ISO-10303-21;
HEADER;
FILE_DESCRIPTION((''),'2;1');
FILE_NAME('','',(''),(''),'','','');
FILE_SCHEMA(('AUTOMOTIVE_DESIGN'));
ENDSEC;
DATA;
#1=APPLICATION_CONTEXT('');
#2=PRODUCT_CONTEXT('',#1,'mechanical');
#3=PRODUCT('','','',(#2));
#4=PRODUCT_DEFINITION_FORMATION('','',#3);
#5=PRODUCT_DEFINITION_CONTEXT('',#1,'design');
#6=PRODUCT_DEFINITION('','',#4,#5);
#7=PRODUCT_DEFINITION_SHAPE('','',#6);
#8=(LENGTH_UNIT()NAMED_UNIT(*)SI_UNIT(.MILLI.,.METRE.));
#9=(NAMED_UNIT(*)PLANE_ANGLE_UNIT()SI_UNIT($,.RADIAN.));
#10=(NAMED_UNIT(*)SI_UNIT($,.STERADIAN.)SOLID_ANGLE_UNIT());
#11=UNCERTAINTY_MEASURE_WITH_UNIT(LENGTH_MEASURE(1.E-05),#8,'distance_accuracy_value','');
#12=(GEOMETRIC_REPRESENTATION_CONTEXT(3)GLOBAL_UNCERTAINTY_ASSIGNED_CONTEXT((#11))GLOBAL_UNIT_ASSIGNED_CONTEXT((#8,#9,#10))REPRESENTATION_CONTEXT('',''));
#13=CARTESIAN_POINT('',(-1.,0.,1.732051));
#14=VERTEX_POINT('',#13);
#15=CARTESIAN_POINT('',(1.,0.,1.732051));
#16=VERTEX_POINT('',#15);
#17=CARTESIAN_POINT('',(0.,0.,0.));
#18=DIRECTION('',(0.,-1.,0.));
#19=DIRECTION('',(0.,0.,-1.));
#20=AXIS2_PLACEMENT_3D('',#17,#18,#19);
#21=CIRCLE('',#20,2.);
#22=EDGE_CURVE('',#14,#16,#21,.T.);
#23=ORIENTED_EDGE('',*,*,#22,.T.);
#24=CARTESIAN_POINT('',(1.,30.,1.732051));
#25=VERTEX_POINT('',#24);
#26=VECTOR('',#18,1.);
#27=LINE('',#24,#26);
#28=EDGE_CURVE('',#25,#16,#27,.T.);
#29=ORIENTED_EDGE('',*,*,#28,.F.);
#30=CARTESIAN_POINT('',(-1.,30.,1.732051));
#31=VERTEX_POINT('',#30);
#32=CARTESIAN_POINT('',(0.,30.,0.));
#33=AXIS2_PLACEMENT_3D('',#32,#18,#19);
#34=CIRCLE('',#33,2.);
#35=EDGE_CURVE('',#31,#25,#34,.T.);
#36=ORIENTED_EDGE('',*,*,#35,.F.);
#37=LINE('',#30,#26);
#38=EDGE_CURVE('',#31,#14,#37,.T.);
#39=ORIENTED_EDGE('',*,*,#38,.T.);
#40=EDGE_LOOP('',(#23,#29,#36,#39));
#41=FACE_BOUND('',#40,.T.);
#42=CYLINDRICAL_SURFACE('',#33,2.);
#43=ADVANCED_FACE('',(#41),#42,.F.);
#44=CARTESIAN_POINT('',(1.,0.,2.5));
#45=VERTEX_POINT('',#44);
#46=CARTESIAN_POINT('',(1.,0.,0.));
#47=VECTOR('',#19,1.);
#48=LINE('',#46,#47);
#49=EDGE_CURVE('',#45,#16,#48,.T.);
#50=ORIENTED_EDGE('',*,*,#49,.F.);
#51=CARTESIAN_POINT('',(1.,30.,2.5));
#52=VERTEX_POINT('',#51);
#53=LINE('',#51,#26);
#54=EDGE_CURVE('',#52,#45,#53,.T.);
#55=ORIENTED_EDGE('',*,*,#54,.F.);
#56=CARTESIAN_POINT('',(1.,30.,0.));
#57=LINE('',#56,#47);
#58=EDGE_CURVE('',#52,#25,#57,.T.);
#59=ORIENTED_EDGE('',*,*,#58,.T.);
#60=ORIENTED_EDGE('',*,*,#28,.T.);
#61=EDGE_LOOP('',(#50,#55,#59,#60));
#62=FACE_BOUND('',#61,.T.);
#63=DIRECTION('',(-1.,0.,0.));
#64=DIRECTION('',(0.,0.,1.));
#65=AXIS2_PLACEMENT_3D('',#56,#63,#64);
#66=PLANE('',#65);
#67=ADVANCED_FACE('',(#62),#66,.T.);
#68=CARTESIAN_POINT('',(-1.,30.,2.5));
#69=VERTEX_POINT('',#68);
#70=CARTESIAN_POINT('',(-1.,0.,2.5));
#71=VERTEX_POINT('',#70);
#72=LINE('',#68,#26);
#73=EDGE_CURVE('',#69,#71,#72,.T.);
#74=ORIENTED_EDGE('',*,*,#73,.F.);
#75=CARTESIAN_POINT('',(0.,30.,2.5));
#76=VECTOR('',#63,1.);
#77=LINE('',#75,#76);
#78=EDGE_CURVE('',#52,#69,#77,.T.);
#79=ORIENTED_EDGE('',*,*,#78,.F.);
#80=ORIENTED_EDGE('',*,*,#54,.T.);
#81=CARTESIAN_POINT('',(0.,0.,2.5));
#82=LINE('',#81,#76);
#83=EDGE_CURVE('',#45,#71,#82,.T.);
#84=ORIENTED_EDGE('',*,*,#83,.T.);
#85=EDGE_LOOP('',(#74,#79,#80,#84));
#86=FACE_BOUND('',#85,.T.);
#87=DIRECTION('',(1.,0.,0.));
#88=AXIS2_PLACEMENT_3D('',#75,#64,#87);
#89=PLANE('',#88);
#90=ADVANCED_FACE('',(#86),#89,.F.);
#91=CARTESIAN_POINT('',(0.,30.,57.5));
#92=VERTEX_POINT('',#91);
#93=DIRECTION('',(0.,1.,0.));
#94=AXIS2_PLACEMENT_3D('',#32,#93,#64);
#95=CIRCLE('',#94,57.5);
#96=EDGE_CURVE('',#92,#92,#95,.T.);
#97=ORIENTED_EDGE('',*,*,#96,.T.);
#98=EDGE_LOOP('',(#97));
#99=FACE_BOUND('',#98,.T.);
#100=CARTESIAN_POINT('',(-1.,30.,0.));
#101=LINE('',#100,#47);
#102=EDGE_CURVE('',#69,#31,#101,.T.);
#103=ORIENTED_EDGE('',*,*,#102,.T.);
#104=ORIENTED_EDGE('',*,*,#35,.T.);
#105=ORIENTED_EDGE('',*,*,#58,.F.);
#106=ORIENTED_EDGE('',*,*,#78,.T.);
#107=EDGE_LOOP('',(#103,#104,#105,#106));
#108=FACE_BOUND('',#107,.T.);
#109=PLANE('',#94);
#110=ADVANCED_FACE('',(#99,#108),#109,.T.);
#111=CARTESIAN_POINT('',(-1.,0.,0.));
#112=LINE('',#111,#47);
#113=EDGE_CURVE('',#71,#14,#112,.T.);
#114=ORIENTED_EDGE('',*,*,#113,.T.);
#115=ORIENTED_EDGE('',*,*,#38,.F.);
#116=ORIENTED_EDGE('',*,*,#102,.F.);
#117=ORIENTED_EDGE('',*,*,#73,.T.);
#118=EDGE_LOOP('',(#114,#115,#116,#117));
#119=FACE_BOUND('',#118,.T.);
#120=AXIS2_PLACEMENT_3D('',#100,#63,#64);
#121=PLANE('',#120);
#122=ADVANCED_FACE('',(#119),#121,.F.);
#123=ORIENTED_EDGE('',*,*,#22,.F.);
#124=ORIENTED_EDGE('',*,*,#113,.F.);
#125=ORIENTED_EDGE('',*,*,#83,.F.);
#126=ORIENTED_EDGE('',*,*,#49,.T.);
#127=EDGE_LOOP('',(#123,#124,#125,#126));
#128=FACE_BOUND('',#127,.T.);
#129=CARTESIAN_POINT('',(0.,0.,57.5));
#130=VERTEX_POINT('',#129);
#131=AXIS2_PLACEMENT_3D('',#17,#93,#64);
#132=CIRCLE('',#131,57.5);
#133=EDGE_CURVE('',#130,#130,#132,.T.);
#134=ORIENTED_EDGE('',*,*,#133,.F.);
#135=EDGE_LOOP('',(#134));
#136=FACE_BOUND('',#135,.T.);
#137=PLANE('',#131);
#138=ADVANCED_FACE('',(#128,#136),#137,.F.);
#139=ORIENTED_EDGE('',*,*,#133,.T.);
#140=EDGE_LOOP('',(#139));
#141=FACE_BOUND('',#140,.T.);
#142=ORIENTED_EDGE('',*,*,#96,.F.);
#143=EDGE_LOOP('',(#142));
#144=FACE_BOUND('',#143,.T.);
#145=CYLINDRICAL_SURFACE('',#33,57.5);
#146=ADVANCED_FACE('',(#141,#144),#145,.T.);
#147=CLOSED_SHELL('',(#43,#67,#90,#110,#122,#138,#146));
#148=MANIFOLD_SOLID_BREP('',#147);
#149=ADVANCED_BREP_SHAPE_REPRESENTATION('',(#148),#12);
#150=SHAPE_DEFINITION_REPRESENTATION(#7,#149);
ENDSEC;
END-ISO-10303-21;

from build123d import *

# Parameters (mm, degrees)
SKETCH1_R           = 57.5
BOSS_EXTRUDE1_DEPTH = 30
CUT_EXTRUDE1_DEPTH  = 87.674679117


with BuildPart() as part:
    # Sketch1 → Boss-Extrude1 (new body)
    with BuildSketch(Plane(origin=(0, 0, 0), x_dir=(1, 0, 0), z_dir=(0, 1, 0))):
        with Locations(Location((0, 0, 0), (0, 0, 270))):
            Circle(SKETCH1_R)
    extrude(amount=BOSS_EXTRUDE1_DEPTH)

    # Sketch2 → Cut-Extrude1 (cut, through all)
    with BuildSketch(Plane.XZ):
        with BuildLine():
            Line((1, 1.732050808), (1, 2.5))
            Line((1, 2.5), (-1, 2.5))
            Line((-1, 2.5), (-1, 1.732050808))
            ThreePointArc((-1, 1.732050808), (0, -2), (1, 1.732050808))
        make_face()
    extrude(amount=-CUT_EXTRUDE1_DEPTH, mode=Mode.SUBTRACT)


solid = part.part
